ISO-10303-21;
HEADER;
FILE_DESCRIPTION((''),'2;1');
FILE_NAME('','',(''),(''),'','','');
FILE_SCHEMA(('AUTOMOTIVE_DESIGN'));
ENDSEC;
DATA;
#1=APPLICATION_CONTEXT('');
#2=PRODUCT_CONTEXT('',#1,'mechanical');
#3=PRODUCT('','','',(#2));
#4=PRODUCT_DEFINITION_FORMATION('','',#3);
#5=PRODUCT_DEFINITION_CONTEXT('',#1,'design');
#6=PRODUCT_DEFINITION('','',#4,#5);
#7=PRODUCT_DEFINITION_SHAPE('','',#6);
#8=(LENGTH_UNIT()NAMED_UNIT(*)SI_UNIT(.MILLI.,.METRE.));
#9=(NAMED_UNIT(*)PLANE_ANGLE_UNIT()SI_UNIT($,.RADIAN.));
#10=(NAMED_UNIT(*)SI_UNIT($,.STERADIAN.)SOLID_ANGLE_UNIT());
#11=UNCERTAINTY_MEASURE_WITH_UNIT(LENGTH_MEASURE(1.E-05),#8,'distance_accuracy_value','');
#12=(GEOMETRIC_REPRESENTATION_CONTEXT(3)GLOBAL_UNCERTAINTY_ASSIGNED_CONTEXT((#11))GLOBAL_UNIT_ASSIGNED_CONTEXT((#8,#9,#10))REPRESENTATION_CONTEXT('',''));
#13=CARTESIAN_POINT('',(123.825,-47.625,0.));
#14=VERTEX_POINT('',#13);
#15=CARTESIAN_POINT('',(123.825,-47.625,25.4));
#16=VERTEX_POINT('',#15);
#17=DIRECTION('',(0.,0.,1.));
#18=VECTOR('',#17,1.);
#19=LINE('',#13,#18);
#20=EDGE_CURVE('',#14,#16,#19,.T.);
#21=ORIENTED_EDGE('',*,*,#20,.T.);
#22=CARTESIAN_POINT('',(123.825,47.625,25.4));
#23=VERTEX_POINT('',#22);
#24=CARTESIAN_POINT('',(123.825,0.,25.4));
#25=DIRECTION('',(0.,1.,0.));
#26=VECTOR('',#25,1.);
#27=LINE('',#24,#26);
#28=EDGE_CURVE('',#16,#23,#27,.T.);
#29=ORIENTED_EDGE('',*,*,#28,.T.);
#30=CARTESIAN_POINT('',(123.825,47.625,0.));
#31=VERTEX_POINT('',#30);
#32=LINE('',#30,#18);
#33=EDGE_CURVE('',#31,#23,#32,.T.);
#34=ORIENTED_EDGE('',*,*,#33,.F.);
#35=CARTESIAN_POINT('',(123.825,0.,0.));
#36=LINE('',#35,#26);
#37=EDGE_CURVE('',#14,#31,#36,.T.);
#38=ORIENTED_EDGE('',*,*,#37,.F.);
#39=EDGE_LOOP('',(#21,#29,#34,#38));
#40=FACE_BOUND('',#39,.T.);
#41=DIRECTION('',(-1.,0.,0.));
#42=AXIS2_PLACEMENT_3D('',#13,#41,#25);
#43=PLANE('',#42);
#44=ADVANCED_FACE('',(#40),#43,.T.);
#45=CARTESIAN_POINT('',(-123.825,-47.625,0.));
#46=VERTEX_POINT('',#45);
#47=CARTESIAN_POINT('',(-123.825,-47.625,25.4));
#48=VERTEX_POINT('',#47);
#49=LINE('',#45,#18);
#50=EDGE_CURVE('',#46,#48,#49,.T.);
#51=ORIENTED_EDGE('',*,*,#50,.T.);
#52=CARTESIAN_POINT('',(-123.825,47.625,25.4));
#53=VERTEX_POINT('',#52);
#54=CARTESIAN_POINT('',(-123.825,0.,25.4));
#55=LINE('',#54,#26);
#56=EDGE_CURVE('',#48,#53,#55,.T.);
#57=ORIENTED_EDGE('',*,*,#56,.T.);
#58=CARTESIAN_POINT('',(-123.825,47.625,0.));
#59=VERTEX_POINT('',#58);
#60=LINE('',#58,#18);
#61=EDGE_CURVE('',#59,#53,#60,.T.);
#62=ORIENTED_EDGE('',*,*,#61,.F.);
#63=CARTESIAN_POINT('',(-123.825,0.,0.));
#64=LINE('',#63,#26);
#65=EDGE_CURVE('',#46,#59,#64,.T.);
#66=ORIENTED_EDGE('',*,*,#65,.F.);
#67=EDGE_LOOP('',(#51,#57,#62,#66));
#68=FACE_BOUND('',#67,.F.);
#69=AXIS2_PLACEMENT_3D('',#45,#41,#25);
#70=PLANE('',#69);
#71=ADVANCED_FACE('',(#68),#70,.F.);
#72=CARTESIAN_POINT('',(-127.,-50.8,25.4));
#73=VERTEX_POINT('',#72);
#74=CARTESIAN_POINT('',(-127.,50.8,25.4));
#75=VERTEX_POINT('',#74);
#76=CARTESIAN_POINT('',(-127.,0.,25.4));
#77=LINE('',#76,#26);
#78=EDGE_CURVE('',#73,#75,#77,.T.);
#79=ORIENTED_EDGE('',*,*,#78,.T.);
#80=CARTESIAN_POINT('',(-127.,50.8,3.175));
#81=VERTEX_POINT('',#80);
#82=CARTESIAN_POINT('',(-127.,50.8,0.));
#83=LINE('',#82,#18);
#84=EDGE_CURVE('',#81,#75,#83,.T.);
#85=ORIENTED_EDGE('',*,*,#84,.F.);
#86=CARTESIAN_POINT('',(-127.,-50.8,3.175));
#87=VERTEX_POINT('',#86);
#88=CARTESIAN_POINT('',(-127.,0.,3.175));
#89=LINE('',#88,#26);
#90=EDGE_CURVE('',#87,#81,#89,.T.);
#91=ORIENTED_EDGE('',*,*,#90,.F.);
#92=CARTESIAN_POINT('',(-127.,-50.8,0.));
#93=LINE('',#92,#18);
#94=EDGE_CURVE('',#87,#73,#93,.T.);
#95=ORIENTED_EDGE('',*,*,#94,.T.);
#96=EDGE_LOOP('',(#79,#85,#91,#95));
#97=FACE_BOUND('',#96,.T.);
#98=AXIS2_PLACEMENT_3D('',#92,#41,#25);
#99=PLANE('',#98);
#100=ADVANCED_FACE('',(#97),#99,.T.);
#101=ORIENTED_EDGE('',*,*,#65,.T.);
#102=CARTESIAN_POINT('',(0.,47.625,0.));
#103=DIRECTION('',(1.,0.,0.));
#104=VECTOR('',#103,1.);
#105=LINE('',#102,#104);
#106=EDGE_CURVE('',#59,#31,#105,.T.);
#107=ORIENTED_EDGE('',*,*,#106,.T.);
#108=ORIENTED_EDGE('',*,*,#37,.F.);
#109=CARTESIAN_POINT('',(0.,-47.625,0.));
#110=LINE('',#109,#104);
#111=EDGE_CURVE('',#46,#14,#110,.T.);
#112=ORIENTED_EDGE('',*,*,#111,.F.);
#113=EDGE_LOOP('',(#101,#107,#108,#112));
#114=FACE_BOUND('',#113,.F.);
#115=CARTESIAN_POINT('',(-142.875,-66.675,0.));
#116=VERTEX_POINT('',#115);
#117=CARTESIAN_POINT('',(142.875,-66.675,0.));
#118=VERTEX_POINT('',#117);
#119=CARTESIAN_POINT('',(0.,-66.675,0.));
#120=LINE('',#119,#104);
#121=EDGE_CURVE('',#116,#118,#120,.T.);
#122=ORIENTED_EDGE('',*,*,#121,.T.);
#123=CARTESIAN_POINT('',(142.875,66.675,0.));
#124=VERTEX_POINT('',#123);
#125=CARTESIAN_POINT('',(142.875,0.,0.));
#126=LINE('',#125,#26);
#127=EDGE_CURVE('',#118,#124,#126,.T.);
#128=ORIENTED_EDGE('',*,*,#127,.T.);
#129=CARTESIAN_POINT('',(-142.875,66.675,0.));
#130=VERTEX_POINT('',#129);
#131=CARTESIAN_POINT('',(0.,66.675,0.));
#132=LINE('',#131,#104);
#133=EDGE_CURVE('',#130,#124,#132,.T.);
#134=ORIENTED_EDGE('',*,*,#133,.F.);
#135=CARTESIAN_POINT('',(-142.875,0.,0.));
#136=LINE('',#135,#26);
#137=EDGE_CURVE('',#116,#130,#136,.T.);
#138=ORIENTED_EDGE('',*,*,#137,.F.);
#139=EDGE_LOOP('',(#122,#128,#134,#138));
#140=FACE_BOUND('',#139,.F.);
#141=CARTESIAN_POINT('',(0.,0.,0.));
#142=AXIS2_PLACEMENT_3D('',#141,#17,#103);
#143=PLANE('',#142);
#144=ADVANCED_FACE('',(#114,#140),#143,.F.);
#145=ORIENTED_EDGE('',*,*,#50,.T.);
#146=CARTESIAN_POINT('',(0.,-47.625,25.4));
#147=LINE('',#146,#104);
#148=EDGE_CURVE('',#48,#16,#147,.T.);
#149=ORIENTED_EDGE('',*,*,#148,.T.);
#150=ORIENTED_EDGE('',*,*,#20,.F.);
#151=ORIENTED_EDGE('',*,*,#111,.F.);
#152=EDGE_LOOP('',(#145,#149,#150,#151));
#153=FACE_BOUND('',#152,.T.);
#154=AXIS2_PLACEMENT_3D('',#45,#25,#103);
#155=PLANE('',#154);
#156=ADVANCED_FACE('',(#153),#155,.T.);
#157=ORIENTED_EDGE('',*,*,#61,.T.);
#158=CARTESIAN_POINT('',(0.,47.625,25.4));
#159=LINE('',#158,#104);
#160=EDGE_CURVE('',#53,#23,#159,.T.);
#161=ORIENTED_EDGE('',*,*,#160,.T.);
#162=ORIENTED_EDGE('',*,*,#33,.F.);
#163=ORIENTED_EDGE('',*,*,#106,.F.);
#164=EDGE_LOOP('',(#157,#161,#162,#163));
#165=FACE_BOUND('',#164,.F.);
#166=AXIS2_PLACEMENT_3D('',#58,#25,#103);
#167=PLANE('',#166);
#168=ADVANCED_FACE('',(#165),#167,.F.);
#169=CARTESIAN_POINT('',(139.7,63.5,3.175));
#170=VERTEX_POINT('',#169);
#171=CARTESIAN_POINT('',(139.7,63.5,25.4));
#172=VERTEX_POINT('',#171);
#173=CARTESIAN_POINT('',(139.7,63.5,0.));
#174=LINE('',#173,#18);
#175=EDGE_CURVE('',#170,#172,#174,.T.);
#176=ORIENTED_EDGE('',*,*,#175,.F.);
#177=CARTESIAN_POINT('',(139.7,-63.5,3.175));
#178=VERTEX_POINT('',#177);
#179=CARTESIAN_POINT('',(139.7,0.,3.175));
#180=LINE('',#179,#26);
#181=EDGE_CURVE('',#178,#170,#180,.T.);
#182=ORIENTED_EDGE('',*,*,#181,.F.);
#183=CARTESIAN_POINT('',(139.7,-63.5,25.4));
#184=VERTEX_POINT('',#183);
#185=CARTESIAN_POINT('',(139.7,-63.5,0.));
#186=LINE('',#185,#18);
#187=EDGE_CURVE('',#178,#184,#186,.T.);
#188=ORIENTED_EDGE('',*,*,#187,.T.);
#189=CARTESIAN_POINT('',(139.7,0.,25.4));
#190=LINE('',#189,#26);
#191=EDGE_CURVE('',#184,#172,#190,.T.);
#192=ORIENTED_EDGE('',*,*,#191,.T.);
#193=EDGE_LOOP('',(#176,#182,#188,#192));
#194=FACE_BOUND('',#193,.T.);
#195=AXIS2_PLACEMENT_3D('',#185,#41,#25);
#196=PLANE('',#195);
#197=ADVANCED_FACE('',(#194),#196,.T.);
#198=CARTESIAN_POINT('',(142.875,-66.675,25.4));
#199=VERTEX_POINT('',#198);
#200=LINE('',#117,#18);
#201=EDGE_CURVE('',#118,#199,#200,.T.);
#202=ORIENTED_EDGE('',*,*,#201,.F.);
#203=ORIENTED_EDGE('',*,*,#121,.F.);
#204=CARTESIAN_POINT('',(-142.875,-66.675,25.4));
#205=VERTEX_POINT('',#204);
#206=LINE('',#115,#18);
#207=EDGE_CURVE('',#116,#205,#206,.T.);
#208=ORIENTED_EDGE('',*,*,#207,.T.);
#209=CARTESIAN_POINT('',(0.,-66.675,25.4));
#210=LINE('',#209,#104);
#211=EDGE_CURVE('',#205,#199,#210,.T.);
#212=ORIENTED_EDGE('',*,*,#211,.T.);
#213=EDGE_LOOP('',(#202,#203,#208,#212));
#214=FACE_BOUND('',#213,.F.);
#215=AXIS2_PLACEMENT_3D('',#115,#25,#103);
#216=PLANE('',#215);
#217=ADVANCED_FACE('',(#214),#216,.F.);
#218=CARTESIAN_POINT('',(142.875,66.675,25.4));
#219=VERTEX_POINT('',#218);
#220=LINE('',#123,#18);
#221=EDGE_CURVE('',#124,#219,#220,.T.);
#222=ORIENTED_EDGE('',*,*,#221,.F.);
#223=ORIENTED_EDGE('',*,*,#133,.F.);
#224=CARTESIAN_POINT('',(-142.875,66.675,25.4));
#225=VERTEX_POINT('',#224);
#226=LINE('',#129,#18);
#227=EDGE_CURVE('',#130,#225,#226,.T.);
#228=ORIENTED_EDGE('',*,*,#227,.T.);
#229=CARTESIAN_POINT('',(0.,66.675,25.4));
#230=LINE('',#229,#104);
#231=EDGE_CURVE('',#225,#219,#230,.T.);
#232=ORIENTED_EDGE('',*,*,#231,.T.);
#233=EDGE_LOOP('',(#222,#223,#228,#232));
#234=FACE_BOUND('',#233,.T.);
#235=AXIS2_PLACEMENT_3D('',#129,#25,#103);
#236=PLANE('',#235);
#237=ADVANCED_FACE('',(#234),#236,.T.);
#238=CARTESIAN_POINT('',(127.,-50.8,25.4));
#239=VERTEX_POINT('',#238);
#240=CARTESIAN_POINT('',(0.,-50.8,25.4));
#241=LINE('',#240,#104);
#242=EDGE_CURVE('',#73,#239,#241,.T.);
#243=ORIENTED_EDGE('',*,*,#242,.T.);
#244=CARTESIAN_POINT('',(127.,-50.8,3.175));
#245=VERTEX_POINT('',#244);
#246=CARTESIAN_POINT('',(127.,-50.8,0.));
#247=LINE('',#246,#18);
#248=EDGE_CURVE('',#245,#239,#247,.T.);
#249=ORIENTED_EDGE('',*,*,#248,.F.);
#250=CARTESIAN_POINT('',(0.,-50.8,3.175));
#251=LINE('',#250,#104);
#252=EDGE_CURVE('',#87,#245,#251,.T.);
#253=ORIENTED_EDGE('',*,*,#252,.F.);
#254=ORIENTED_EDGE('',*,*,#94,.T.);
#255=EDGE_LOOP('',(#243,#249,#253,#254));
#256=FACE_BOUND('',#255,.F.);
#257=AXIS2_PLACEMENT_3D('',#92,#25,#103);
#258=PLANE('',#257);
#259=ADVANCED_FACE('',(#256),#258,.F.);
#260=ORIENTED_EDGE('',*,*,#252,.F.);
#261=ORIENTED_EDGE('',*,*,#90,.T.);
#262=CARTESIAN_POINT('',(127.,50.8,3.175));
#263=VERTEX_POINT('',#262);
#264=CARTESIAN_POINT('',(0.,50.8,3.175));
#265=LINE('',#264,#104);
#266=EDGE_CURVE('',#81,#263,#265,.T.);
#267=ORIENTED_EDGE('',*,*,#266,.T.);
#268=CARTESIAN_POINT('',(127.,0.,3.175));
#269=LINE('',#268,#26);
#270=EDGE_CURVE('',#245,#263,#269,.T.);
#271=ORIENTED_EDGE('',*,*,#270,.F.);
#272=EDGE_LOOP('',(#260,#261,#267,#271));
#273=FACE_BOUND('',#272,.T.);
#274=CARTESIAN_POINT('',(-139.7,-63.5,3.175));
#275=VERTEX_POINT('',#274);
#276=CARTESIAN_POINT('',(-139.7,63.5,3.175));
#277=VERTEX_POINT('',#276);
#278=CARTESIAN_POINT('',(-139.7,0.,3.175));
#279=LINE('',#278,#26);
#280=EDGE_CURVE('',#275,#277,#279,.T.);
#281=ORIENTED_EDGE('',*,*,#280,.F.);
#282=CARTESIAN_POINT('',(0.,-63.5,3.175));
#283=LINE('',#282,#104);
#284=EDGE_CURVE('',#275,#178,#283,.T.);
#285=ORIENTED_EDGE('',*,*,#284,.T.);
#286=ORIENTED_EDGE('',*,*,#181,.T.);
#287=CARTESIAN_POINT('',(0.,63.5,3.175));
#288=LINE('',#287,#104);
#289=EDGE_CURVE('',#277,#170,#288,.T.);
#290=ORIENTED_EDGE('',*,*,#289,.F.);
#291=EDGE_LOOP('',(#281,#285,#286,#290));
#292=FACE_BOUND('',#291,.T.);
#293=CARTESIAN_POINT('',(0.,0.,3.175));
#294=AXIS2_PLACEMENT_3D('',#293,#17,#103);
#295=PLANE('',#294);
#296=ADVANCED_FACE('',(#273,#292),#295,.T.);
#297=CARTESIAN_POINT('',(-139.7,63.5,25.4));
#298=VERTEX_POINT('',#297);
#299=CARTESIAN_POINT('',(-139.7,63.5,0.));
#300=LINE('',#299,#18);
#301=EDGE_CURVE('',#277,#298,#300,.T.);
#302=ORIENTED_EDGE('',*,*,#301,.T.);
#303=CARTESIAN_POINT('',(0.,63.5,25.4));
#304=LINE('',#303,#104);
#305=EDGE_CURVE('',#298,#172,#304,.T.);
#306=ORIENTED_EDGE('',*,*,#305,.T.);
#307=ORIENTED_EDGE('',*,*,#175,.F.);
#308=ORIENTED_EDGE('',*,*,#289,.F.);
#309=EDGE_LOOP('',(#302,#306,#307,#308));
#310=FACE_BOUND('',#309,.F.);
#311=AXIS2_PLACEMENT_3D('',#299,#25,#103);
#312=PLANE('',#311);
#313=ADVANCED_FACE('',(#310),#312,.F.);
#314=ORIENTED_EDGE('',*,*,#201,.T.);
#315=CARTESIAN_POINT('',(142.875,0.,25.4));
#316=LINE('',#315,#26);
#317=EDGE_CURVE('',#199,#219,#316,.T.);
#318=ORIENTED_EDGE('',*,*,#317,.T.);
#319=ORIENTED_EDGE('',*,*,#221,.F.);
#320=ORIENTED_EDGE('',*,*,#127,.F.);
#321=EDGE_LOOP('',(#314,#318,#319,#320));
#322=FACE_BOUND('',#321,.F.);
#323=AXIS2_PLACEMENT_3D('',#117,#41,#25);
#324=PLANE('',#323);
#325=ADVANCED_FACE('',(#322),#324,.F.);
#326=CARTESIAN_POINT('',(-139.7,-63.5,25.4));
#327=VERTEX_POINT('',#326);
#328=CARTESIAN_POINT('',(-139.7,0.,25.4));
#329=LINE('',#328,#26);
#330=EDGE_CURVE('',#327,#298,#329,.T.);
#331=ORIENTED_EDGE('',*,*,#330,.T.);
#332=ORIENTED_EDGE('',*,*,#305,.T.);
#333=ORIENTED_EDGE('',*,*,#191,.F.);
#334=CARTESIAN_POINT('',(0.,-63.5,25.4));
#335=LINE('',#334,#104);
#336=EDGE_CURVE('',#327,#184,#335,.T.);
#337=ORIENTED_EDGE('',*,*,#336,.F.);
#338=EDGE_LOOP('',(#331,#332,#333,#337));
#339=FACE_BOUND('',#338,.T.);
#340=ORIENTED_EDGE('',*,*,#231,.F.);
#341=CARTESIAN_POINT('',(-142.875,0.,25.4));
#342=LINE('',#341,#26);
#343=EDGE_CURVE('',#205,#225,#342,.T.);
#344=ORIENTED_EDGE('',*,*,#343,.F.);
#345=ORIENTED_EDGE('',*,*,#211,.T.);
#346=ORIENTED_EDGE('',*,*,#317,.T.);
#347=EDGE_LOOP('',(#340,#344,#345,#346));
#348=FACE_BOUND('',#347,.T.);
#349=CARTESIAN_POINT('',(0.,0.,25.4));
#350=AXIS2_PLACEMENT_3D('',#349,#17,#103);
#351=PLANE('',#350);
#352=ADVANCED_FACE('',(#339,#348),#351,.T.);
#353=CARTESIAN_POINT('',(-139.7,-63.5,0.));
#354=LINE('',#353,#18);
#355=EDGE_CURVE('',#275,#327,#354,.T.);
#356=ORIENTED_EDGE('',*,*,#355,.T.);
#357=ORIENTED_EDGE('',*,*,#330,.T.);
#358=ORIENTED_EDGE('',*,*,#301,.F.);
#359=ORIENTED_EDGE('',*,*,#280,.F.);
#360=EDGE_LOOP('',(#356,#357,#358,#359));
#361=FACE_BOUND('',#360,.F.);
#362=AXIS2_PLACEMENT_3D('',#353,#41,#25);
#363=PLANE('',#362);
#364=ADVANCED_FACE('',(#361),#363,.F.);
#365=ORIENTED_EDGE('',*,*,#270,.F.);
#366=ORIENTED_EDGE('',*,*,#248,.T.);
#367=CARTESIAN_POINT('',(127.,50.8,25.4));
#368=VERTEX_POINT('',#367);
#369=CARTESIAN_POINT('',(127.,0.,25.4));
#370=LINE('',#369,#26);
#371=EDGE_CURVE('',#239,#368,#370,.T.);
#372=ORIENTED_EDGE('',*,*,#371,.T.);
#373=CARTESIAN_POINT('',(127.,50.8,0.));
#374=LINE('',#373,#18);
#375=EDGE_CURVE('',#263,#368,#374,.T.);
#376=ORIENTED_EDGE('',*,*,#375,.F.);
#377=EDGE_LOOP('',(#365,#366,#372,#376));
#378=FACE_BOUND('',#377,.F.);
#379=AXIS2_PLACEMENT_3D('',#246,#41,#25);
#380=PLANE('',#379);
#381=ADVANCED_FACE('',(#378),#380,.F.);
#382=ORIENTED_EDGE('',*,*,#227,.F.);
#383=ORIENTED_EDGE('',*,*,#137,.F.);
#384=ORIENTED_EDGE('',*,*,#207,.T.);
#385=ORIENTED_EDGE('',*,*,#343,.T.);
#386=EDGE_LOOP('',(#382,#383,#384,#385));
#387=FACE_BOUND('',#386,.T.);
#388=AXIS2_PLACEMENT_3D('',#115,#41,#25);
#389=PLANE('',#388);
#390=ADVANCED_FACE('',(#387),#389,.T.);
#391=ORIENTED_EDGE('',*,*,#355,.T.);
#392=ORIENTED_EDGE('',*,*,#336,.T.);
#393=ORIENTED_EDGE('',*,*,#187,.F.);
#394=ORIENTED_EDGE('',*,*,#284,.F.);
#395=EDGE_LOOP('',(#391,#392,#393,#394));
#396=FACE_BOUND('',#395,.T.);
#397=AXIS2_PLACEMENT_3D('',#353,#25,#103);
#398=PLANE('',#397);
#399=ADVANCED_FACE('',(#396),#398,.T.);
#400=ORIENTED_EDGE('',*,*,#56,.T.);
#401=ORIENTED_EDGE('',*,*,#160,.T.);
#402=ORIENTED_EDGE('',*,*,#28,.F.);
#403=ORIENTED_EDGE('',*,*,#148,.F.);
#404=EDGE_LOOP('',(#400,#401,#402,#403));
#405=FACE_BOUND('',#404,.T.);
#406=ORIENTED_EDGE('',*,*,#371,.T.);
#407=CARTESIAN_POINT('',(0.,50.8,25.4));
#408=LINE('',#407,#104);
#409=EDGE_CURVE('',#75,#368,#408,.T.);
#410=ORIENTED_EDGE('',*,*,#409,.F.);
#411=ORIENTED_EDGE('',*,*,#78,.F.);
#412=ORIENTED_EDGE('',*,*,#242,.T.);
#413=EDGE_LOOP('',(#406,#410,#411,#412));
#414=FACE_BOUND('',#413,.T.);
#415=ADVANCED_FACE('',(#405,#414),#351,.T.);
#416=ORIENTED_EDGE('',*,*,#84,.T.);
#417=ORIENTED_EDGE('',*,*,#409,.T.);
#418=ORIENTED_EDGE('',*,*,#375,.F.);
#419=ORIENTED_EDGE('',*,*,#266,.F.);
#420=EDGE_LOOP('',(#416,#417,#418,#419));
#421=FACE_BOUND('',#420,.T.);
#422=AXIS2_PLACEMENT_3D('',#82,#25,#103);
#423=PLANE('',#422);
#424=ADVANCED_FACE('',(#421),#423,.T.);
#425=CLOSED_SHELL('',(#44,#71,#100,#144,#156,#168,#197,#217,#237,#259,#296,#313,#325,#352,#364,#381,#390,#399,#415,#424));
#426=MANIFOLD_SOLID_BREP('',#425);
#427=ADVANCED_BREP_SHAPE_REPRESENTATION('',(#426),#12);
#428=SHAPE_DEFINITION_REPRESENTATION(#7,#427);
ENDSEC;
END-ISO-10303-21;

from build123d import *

# Parameters (mm, degrees)
F1_W     = 279.4
F1_H     = 127
F1_W_2   = 254
F1_H_2   = 101.6
F3_DEPTH = 3.175
F2_W     = 285.75
F2_H     = 133.35
F2_W_2   = 279.4
F2_H_2   = 127
F6_DEPTH = 25.4
F7_W     = 254
F7_H     = 101.6
F7_W_2   = 247.65
F7_H_2   = 95.25
F8_DEPTH = 25.4


with BuildPart() as f3:
    # F1 (on Top) → F3 (new body)
    with BuildSketch(Plane.XY):
        Rectangle(F1_W, F1_H)
        Rectangle(F1_W_2, F1_H_2, mode=Mode.SUBTRACT)
    extrude(amount=F3_DEPTH)

    # F2 (on face) → F6 (join)
    with BuildSketch(Plane.XY):
        Rectangle(F2_W, F2_H)
        Rectangle(F2_W_2, F2_H_2, mode=Mode.SUBTRACT)
    extrude(amount=F6_DEPTH)

    # F7 (on face) → F8 (join)
    with BuildSketch(Plane.XY):
        Rectangle(F7_W, F7_H)
        Rectangle(F7_W_2, F7_H_2, mode=Mode.SUBTRACT)
    extrude(amount=F8_DEPTH)


solid = f3.part
